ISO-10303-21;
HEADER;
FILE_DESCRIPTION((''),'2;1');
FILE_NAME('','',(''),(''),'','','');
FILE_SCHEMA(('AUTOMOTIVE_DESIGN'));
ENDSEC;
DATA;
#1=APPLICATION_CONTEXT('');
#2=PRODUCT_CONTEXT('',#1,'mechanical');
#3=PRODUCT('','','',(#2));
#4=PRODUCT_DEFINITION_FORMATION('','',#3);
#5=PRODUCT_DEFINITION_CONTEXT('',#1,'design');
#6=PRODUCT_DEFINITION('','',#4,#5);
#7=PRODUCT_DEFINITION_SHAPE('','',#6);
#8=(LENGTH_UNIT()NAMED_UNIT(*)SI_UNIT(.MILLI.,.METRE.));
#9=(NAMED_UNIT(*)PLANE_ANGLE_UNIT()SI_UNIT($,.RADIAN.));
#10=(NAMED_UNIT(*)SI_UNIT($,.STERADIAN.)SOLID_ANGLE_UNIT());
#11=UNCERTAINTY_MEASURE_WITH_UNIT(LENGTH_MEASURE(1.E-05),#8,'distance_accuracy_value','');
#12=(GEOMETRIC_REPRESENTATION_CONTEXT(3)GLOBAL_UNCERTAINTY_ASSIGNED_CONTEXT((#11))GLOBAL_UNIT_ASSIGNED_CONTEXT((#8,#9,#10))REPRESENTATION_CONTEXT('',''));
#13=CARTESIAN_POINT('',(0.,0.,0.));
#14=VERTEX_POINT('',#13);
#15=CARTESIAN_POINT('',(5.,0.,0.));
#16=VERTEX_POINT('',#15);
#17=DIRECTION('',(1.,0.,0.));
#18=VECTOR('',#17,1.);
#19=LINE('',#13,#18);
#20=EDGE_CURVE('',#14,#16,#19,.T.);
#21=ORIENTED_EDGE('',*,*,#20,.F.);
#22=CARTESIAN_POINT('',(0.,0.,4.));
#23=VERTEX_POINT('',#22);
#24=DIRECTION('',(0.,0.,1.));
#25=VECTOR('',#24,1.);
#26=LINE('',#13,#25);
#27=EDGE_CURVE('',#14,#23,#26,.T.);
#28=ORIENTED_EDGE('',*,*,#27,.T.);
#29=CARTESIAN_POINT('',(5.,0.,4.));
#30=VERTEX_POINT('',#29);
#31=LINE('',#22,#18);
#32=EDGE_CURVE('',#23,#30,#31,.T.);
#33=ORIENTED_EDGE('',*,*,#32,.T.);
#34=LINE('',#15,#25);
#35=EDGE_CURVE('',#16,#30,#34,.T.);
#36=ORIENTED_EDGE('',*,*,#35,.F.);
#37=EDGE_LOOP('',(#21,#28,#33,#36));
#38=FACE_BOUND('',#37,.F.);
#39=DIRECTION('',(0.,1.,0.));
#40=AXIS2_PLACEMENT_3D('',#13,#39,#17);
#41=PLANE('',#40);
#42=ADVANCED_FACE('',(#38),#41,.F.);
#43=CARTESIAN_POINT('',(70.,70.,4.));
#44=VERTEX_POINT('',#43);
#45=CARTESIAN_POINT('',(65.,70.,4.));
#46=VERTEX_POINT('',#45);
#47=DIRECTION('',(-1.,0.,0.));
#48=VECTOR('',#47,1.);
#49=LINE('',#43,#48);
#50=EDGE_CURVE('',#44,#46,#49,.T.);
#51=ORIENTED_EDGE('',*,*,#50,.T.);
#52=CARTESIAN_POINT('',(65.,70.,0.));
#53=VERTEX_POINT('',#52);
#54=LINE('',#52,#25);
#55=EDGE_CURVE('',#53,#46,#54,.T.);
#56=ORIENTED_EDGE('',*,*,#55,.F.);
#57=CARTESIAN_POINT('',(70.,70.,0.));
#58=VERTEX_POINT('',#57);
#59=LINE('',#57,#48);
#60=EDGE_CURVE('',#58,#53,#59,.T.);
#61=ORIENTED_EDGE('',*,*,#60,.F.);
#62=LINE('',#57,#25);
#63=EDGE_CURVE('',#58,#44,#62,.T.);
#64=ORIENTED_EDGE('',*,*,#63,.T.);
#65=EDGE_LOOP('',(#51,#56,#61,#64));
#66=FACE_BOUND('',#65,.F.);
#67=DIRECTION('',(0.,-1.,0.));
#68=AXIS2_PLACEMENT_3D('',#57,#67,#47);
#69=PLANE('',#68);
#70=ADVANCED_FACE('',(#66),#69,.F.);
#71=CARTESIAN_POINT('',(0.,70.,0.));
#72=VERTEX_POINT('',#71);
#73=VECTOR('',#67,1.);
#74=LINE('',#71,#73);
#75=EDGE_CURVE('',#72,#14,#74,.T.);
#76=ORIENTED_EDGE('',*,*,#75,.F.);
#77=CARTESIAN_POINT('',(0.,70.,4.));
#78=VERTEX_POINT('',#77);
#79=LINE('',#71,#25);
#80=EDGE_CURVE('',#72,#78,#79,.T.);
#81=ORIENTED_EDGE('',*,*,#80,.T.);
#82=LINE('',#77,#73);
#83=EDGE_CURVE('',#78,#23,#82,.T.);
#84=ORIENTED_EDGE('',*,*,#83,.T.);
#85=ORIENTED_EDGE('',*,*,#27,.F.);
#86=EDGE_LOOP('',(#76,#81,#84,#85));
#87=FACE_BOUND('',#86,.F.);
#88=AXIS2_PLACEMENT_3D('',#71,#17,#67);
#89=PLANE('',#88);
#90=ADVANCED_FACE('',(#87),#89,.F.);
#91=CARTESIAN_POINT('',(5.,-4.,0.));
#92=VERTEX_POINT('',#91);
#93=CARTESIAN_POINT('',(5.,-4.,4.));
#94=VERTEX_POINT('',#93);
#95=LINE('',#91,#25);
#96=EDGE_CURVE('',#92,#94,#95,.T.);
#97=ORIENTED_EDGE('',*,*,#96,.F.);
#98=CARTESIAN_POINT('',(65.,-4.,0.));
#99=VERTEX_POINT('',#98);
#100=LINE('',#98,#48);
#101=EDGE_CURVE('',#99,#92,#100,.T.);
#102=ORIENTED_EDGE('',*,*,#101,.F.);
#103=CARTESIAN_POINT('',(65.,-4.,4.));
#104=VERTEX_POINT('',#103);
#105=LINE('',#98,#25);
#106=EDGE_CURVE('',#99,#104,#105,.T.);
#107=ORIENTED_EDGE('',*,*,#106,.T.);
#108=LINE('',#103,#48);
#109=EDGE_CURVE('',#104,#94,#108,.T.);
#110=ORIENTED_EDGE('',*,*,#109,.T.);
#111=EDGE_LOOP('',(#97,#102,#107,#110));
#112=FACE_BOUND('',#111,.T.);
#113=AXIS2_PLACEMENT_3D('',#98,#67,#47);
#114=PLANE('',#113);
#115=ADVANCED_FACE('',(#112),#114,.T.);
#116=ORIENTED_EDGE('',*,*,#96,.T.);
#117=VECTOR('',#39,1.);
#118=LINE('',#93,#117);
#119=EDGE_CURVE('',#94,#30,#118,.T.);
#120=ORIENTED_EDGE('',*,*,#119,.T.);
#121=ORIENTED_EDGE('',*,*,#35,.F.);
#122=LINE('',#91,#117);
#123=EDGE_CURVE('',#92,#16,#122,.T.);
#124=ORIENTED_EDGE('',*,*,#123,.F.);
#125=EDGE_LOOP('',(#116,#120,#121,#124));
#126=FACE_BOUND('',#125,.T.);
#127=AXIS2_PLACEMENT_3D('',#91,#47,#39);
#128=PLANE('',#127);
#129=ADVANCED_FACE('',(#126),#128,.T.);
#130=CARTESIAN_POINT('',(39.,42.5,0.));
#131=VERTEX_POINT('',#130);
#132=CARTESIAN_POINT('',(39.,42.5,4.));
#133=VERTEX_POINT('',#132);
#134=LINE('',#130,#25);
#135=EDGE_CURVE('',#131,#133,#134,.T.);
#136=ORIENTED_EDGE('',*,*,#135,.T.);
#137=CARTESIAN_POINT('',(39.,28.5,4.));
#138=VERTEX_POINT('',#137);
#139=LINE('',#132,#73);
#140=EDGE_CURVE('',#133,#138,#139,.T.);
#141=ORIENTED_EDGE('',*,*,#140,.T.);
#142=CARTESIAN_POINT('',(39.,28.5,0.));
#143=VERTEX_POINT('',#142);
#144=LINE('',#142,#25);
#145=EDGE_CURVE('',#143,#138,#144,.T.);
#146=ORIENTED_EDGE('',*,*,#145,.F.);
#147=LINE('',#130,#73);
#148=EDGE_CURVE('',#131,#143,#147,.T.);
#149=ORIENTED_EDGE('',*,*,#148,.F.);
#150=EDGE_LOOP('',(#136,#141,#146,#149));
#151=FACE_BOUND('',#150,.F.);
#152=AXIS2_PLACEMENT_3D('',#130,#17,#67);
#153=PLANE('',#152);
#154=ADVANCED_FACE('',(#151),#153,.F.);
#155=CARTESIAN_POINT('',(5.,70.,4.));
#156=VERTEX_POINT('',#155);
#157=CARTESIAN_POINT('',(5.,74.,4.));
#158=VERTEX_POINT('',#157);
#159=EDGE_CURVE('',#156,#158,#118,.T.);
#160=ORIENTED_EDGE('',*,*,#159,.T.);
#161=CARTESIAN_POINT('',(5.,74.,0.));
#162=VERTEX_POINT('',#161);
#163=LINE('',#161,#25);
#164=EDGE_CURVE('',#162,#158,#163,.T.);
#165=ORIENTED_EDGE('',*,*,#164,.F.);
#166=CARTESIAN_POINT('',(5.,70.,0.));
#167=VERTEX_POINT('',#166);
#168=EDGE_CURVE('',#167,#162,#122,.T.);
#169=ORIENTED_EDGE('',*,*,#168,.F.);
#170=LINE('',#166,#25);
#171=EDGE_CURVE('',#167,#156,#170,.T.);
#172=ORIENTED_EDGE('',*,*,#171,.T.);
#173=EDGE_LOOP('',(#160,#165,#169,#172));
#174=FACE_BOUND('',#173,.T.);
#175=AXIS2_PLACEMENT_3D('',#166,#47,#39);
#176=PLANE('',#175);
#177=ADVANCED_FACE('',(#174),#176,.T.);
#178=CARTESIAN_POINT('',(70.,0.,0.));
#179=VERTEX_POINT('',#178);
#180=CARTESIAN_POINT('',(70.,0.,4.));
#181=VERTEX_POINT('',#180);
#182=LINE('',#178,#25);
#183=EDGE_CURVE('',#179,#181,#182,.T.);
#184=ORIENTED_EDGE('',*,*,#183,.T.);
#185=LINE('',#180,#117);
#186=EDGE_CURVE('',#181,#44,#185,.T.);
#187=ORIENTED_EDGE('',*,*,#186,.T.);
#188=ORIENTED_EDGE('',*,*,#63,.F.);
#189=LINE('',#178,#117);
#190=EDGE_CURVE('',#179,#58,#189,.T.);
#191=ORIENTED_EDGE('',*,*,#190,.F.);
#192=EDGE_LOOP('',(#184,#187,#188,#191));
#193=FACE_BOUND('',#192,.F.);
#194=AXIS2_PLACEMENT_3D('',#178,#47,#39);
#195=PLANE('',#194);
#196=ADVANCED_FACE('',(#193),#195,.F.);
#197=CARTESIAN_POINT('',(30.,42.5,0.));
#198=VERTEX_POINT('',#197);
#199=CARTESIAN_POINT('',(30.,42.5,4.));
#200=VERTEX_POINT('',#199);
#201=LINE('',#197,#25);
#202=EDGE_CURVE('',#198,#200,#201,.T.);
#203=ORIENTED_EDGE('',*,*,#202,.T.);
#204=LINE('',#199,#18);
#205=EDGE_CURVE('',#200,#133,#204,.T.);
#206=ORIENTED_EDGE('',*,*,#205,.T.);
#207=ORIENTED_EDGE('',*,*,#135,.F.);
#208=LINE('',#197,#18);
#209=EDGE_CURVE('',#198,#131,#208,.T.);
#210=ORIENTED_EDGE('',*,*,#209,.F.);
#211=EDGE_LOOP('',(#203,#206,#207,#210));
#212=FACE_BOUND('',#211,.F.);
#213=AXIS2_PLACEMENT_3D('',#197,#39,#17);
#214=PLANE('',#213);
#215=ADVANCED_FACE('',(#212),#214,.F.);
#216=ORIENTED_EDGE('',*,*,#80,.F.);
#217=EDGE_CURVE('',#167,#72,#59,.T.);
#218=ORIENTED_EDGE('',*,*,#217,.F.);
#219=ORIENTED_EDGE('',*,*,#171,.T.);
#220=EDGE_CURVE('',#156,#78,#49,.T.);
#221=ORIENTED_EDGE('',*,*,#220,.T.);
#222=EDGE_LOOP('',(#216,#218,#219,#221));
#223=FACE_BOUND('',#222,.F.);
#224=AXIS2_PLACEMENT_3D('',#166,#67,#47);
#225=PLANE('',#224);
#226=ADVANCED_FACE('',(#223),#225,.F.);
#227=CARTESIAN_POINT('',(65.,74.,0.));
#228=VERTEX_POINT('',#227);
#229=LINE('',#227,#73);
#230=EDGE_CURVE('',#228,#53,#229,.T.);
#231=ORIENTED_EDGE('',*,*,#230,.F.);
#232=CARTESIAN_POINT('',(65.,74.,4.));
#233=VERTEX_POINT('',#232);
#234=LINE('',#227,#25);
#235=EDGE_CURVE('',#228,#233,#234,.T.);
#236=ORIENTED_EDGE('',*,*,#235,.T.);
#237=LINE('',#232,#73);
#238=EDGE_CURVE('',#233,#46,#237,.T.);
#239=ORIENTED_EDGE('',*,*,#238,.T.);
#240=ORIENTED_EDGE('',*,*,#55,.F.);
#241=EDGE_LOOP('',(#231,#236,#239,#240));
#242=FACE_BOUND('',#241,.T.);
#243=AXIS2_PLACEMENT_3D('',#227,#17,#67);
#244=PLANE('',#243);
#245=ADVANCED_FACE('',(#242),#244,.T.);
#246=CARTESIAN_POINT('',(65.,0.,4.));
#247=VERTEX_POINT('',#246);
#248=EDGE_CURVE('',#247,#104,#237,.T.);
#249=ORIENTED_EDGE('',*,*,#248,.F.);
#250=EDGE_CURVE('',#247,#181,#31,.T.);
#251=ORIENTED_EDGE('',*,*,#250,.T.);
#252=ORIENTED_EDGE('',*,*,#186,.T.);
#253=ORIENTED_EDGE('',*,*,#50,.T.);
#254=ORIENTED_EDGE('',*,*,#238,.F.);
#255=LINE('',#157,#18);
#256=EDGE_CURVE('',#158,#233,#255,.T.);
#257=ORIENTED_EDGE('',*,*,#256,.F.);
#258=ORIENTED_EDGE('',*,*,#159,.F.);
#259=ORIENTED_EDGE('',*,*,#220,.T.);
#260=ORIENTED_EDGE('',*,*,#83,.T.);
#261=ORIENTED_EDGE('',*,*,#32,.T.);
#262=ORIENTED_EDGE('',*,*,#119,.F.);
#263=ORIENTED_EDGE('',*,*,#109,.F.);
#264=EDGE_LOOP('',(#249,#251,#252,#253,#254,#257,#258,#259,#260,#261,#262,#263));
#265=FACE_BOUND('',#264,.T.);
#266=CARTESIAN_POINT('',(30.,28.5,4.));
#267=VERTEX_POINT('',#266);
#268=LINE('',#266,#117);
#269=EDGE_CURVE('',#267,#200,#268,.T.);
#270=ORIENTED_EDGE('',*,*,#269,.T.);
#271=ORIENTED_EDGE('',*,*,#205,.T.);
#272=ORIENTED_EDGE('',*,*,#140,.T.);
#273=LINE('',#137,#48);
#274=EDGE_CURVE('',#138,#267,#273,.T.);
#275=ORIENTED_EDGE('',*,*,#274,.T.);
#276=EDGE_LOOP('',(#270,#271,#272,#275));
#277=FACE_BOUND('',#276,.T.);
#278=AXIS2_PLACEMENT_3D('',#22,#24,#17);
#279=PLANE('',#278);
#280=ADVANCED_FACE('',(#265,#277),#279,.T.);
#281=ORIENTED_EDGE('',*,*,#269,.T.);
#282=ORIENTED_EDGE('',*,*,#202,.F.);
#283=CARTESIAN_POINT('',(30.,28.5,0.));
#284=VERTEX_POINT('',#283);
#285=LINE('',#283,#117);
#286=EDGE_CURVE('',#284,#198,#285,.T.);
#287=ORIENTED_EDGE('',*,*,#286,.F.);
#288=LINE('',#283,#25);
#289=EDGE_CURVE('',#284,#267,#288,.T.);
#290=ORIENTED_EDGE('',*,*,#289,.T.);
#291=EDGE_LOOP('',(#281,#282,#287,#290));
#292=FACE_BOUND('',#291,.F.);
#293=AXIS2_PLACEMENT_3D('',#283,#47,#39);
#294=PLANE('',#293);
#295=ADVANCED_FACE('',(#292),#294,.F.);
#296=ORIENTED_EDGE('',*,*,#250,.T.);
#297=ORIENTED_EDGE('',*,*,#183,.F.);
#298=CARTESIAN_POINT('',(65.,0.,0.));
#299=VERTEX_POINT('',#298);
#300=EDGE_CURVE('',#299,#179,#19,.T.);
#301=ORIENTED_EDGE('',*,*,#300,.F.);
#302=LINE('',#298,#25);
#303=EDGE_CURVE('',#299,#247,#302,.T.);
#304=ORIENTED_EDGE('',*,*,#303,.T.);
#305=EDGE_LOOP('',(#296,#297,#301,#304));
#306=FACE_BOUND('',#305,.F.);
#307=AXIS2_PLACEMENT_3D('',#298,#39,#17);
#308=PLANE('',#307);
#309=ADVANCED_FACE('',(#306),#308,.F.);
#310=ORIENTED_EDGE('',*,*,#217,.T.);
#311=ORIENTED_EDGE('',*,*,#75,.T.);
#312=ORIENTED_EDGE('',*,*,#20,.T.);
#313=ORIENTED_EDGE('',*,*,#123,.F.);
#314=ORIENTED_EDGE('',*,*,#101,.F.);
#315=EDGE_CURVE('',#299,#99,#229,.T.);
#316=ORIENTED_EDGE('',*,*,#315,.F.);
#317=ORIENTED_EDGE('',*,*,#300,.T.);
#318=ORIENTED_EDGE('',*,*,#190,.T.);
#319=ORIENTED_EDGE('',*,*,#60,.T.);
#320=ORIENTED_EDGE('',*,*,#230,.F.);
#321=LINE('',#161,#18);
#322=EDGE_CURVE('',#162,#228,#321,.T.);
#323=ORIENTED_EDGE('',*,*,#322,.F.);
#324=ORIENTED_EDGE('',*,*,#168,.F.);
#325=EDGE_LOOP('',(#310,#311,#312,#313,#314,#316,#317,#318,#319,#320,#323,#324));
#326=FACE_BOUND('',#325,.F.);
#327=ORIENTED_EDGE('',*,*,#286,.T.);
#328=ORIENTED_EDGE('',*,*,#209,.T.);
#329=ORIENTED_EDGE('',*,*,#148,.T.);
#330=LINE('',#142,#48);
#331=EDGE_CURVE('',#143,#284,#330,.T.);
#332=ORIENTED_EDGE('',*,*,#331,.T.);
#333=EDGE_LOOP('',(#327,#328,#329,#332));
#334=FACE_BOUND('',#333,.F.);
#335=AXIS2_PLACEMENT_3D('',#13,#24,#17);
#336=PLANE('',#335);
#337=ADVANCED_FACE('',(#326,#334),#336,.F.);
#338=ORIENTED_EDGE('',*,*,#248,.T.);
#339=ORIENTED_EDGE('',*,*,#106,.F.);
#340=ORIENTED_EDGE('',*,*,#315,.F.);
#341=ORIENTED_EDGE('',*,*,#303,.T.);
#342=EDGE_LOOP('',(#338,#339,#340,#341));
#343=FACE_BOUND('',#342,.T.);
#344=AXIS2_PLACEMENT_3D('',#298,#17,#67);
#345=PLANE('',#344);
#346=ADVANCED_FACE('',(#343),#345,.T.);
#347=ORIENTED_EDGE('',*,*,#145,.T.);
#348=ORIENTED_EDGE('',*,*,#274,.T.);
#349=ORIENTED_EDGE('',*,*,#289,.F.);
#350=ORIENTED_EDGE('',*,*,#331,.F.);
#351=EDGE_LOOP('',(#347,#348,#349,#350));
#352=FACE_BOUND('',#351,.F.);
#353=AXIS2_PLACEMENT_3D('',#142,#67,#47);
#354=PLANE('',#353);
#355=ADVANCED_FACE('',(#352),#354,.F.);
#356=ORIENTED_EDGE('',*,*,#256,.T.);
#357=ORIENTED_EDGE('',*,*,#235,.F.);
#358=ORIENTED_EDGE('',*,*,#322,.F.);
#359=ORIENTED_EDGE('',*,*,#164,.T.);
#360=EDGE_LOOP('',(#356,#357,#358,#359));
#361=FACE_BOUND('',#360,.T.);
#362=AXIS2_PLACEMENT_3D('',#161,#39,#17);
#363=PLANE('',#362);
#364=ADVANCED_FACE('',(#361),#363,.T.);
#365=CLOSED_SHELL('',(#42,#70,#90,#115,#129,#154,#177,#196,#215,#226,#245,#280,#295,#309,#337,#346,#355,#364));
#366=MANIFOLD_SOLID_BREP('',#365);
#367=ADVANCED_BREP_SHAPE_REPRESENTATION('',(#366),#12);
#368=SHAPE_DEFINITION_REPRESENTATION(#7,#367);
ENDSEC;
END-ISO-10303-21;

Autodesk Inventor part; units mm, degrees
ref_plane "YZ Plane" through (0, 0, 0) normal (1, 0, 0) x (0, 1, 0)
ref_plane "XZ Plane" through (0, 0, 0) normal (0, 1, 0) x (-1, 0, 0)
ref_plane "XY Plane" through (0, 0, 0) normal (0, 0, 1) x (1, 0, 0)
sketch "Sketch1" plane through (0, 0, 0) normal (0, 0, 1) x (1, 0, 0)
  line L0 (0, 0) -> (70, 0)
  line L1 (70, 0) -> (70, 70)
  line L2 (70, 70) -> (0, 70)
  line L3 (0, 70) -> (0, 0)
  line L4 (5, 74) -> (65, 74)
  line L5 (65, 74) -> (65, -4)
  line L6 (65, -4) -> (5, -4)
  line L7 (5, -4) -> (5, 74)
  line L8 (30, 42.5) -> (39, 42.5)
  line L9 (39, 42.5) -> (39, 28.5)
  line L10 (39, 28.5) -> (30, 28.5)
  line L11 (30, 28.5) -> (30, 42.5)
  point P0 (5, 0)
  point P1 (65, 0)
  point P2 (65, 70)
  point P3 (5, 70)
  dimension "d0" = 70
  dimension "d1" = 70
  dimension "d2" = 4
  dimension "d3" = 5
  dimension "d4" = 5
  dimension "d5" = 4
  dimension "d6" = 14
  dimension "d7" = 9
  dimension "d8" = 26
  dimension "d9" = 28.5
extrude "Extrusion1" add sketch "Sketch1" along normal blind 4
properties part number "Knoptsnstuk_Final"
